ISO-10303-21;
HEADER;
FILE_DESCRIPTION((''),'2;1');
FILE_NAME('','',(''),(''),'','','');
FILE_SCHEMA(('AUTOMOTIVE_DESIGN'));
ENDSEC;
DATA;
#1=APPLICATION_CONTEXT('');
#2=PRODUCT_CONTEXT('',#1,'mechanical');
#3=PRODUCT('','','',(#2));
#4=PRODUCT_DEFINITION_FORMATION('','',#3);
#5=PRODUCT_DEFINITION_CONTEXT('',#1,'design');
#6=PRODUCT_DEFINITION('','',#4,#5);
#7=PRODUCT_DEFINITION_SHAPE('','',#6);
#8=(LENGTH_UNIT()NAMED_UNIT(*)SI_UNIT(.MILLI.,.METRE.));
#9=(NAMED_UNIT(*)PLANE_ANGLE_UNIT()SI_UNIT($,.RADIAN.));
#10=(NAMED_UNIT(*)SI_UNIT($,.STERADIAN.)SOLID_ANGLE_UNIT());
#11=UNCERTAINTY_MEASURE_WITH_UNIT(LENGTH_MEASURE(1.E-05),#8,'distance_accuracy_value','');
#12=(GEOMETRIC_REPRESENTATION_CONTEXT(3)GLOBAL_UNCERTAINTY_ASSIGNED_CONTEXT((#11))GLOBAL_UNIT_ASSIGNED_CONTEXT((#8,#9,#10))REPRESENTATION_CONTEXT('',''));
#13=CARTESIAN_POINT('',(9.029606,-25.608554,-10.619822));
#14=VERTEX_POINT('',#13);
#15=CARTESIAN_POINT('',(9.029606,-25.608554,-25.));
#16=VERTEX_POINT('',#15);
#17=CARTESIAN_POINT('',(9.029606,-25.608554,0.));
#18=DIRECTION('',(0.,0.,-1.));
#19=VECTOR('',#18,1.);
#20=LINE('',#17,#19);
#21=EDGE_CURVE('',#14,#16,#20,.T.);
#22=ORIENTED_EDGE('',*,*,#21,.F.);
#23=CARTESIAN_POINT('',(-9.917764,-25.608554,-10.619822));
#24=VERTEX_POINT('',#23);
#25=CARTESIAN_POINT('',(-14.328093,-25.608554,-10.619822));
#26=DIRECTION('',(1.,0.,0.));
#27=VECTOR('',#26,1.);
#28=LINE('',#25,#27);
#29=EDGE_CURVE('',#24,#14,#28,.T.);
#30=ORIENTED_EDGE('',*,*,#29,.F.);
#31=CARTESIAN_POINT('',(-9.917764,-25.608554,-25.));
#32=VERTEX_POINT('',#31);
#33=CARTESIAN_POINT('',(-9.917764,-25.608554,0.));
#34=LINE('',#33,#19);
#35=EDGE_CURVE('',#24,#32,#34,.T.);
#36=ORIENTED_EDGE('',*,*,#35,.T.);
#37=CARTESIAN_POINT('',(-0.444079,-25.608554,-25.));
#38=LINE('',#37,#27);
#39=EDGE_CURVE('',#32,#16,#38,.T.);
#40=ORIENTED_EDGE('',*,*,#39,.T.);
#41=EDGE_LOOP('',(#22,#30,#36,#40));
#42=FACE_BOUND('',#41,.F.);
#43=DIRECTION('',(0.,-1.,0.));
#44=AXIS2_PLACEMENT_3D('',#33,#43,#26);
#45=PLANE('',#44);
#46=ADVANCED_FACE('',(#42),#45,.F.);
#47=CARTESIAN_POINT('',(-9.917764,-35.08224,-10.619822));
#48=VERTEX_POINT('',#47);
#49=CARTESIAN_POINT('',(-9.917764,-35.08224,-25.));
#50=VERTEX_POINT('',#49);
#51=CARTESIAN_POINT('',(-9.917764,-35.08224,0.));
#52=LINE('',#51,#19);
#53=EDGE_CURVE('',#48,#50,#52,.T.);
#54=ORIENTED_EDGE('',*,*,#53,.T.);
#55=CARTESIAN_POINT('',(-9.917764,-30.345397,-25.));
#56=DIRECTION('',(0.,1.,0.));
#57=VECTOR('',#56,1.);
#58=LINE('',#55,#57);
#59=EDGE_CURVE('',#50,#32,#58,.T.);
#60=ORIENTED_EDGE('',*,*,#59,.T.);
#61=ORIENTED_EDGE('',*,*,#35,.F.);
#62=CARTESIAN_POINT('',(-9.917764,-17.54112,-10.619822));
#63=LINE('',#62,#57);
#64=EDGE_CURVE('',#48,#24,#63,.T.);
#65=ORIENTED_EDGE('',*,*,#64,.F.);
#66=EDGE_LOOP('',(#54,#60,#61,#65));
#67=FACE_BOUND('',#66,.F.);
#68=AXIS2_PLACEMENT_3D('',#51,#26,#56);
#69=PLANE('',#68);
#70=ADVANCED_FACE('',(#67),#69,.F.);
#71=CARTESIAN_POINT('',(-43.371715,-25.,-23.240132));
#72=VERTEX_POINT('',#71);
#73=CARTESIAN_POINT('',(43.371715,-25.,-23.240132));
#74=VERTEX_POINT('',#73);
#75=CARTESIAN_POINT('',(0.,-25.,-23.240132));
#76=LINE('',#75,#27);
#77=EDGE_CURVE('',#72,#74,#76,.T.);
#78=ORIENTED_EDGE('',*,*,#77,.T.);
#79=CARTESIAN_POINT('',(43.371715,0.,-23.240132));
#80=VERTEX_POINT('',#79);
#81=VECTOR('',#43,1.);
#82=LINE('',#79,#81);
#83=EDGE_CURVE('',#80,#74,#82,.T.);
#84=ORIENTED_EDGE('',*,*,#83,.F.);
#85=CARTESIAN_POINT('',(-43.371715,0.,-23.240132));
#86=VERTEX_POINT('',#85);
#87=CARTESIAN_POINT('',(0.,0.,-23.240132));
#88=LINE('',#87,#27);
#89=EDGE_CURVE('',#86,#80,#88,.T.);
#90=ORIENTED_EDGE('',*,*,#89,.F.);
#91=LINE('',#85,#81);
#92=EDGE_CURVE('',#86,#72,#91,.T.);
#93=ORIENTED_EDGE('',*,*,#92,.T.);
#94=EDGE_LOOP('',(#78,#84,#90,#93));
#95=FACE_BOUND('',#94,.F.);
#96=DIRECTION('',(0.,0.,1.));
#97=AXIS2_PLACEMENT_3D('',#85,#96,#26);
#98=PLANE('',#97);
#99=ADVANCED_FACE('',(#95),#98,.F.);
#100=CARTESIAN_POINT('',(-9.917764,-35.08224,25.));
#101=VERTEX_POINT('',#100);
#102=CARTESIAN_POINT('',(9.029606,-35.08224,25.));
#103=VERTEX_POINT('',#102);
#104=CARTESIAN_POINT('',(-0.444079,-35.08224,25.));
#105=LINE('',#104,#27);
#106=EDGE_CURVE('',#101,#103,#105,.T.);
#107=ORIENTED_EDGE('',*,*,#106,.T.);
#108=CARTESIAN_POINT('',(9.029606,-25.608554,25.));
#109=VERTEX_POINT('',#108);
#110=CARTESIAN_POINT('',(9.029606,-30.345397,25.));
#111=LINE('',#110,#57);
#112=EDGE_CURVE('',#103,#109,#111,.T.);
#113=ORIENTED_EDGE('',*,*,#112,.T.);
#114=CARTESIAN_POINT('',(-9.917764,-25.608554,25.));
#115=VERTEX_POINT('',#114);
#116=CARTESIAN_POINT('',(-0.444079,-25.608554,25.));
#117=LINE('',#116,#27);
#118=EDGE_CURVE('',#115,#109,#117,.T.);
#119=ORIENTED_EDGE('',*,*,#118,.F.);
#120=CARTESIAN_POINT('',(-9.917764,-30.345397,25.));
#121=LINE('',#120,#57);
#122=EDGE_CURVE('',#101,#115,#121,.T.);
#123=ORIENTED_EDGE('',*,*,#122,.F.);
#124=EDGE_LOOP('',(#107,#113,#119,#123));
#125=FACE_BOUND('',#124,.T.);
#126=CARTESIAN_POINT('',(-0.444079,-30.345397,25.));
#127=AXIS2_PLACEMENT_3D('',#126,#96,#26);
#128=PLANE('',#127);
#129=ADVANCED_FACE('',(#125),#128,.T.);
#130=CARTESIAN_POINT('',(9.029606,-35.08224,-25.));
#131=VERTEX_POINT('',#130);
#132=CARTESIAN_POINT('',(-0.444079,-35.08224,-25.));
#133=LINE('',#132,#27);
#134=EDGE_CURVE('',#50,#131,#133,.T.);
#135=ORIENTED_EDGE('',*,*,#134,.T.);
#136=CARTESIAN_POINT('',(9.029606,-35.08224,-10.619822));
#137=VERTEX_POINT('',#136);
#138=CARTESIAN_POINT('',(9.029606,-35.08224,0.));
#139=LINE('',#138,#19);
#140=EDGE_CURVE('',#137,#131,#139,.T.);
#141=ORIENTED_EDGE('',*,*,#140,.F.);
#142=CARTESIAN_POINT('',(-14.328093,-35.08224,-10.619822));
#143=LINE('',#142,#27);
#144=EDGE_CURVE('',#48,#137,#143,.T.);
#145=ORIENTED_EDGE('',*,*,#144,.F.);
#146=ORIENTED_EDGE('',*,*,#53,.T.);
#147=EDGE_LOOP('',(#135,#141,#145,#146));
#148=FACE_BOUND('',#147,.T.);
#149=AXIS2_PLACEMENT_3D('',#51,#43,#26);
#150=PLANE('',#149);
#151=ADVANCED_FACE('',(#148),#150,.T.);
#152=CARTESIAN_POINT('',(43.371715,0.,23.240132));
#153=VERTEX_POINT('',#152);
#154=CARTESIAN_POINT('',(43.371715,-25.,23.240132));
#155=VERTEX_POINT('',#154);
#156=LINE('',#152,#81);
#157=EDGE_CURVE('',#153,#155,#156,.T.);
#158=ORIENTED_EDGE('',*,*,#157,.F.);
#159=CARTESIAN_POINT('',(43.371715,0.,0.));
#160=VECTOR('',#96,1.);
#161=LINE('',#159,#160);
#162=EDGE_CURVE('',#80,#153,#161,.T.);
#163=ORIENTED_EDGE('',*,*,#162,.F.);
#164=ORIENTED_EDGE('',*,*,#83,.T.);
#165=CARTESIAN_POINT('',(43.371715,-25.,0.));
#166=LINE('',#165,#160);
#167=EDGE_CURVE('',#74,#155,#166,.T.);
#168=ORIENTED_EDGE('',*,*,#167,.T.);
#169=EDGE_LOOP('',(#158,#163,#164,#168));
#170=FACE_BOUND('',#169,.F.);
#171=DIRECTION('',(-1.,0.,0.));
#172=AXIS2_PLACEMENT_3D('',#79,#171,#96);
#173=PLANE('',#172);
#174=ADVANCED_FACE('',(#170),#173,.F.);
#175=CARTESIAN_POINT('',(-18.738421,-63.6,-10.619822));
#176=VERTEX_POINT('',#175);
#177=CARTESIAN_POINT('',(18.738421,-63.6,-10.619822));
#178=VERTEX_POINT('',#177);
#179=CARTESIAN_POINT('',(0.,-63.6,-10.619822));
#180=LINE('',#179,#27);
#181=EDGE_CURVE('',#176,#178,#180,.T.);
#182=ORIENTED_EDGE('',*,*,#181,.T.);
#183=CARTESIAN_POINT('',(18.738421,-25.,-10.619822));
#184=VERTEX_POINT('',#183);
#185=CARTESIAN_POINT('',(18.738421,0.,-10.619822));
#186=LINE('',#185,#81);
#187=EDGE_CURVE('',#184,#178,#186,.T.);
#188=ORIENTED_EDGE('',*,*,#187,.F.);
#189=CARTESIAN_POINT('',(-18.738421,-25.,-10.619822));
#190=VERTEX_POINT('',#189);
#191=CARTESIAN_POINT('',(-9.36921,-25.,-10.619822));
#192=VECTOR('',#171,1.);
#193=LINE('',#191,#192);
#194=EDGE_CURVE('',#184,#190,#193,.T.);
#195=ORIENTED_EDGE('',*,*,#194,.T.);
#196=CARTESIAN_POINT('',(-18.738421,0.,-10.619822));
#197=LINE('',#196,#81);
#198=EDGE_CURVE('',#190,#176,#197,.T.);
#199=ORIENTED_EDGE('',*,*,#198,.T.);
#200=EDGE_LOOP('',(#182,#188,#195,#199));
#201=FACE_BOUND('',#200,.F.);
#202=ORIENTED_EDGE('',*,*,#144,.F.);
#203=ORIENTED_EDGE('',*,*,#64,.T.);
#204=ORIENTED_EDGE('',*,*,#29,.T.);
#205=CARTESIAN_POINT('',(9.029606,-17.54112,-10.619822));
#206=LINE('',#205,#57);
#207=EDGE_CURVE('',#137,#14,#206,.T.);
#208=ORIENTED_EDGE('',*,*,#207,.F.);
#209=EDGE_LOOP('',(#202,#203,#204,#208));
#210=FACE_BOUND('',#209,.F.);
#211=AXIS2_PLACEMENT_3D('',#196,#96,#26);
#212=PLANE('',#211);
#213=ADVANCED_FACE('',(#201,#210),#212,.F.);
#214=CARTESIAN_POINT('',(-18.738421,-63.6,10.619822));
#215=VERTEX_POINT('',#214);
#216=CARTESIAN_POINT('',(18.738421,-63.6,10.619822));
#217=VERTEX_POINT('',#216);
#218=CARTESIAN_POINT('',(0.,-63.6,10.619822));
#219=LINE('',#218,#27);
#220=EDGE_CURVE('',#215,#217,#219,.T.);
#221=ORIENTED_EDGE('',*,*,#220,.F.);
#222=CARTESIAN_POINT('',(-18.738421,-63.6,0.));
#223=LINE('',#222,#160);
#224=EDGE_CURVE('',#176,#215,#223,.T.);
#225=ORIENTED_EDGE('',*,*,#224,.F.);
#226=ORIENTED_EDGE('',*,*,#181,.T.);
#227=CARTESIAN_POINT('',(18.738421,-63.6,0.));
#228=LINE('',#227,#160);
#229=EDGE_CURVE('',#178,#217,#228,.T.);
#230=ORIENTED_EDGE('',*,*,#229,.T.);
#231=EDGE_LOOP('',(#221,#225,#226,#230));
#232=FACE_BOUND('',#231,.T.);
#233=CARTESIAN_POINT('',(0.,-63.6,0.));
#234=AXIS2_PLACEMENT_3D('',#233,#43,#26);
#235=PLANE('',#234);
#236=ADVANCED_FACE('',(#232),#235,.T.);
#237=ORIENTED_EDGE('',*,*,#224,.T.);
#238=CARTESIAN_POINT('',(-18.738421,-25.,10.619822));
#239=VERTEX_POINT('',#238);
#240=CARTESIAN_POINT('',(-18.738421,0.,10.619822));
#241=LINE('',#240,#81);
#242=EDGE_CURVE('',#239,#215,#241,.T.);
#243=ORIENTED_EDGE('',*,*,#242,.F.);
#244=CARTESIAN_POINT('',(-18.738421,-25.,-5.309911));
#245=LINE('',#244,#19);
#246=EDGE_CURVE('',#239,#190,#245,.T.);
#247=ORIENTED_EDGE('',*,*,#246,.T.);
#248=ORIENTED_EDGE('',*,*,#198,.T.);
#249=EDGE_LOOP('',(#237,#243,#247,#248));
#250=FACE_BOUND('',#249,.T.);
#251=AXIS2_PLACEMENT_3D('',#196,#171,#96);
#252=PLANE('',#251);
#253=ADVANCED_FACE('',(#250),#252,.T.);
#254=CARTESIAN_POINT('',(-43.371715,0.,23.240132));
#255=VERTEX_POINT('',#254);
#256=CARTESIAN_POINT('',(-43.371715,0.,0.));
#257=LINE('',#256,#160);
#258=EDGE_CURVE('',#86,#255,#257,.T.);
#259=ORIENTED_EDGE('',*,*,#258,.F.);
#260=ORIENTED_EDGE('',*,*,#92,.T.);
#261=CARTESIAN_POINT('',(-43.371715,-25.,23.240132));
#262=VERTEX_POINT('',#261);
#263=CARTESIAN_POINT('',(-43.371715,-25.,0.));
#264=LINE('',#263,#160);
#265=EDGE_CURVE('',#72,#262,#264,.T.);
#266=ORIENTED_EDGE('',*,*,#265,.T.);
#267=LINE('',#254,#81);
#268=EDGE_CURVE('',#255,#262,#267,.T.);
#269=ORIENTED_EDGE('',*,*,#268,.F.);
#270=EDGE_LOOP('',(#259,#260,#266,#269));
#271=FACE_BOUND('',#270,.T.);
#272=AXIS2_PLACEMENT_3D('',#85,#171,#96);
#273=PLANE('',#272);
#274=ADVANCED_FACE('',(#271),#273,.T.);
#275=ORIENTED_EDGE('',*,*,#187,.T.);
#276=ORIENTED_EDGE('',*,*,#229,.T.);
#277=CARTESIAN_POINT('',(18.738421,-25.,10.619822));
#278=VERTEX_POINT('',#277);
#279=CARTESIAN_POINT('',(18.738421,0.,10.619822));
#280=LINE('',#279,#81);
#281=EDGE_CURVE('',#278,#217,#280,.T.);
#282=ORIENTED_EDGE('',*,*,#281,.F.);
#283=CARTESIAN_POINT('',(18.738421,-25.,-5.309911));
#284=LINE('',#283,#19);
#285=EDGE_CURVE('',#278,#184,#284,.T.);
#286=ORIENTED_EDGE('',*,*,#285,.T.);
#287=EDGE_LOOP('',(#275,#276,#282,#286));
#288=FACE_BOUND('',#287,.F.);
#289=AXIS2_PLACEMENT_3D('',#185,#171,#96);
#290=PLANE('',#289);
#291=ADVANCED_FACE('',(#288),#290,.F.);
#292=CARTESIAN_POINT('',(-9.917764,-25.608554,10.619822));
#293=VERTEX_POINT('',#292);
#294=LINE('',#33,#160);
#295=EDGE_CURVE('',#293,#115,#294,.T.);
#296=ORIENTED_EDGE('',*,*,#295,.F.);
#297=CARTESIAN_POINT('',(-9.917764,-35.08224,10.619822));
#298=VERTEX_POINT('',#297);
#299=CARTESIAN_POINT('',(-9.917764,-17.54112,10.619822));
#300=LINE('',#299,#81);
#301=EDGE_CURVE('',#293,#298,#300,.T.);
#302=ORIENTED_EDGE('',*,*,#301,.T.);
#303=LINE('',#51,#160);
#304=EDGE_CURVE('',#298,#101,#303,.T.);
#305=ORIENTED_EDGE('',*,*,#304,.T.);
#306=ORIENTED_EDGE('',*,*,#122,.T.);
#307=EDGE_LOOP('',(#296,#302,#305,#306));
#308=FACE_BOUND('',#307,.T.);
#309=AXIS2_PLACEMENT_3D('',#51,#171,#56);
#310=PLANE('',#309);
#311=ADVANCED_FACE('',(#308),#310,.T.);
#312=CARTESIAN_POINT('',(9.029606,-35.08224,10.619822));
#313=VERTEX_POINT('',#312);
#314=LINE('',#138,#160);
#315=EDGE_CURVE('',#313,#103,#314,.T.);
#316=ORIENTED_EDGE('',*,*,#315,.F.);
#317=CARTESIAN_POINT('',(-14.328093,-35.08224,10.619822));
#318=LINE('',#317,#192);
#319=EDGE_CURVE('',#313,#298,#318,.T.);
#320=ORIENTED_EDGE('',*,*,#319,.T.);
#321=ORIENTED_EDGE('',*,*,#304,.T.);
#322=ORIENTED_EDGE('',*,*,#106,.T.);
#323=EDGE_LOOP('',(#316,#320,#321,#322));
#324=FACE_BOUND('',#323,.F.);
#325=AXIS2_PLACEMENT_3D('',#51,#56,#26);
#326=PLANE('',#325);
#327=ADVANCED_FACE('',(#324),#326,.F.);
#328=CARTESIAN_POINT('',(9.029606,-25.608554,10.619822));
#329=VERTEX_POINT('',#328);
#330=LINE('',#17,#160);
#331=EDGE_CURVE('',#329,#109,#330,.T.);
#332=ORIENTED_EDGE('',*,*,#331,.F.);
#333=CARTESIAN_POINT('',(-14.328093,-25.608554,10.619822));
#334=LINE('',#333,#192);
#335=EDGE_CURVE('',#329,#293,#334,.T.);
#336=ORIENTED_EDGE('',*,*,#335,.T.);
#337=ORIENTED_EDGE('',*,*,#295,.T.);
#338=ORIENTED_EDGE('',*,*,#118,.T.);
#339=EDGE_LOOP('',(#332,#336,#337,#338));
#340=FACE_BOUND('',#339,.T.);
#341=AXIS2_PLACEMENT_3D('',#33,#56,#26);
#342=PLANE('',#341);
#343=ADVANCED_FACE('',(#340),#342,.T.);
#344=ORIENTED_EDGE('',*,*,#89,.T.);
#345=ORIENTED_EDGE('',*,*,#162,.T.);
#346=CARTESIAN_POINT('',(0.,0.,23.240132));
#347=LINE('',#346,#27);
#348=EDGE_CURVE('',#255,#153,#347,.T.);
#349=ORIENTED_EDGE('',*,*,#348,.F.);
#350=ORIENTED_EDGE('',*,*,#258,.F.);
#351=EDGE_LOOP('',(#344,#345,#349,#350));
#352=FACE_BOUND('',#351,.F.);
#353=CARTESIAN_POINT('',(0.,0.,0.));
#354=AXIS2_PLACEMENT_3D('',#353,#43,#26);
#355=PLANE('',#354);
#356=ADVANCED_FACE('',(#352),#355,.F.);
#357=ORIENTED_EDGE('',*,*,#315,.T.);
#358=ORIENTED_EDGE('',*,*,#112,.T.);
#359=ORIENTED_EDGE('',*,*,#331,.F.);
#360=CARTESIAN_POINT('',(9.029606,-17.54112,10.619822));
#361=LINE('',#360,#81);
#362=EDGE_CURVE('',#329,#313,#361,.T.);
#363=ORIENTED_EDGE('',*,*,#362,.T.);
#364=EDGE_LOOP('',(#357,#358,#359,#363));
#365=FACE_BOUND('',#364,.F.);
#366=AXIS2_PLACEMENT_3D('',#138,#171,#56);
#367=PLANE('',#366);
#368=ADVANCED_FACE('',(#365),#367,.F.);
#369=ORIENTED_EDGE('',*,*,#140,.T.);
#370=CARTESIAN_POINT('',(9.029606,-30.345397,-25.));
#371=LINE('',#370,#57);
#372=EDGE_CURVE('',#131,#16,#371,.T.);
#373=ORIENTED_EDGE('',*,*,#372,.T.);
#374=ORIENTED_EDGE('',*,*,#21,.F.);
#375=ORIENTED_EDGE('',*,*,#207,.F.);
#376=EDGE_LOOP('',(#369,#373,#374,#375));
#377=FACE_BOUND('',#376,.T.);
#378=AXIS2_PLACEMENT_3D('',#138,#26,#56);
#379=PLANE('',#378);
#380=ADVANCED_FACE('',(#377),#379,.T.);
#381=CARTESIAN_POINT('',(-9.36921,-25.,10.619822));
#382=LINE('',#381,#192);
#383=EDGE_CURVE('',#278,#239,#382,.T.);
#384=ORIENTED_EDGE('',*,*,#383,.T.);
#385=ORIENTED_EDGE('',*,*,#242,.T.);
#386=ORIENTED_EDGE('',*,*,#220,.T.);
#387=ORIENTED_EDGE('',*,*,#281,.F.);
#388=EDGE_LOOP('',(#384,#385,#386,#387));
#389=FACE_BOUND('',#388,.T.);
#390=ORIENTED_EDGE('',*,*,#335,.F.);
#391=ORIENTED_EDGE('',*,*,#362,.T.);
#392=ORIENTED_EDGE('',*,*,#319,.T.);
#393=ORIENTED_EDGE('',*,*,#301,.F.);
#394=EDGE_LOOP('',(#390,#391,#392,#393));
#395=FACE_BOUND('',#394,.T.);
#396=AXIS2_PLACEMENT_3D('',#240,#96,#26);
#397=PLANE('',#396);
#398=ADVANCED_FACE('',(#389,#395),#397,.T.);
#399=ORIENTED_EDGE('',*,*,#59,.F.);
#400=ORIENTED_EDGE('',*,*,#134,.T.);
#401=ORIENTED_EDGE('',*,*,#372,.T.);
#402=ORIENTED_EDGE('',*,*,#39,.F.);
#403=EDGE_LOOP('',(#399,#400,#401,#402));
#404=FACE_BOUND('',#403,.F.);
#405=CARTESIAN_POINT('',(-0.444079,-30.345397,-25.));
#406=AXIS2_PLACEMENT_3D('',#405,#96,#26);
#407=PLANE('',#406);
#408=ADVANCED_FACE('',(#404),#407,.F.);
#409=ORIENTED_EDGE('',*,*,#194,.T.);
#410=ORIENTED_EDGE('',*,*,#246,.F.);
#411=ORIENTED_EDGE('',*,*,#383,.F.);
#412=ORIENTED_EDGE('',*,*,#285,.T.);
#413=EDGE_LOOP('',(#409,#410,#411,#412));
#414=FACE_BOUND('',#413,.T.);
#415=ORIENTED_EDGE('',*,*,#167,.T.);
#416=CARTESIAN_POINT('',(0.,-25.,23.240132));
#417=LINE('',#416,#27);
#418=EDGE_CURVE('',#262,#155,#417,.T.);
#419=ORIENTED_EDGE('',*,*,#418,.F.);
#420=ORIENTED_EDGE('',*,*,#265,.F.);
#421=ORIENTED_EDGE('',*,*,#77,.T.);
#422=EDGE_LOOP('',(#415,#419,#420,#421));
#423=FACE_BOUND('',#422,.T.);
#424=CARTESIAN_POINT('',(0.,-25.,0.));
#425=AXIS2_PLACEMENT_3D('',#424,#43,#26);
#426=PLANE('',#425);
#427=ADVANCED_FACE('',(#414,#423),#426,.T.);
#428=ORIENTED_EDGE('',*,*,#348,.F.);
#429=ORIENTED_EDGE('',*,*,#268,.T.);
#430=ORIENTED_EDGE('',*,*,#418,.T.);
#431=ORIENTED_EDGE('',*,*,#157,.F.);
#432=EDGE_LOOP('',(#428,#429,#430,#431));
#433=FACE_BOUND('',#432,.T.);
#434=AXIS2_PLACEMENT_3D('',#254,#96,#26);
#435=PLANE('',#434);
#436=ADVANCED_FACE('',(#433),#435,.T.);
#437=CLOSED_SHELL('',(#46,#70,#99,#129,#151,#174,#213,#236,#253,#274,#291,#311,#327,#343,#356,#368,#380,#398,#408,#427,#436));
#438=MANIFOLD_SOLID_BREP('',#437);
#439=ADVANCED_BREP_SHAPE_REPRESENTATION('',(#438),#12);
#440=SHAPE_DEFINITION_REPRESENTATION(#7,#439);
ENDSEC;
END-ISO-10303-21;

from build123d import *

# Parameters (mm, degrees)
F0_W     = 86.74343
F0_H     = 46.480264
F1_DEPTH = 25
F2_W     = 37.476842
F2_H     = 21.239644
F3_DEPTH = 63.6
F4_W     = 18.94737
F4_H     = 9.473686
F5_DEPTH = 25
F6_DEPTH = 25


with BuildPart() as f1:
    # F0 (on Front) → F1 (new body)
    with BuildSketch(Plane.XZ):
        Rectangle(F0_W, F0_H)
    extrude(amount=F1_DEPTH)

    # F2 (on Front) → F3 (join)
    with BuildSketch(Plane.XZ):
        Rectangle(F2_W, F2_H)
    extrude(amount=F3_DEPTH)

    # F4 (on Top) → F5 (join)
    with BuildSketch(Plane.XY):
        with Locations((-0.444079, -30.345397)):
            Rectangle(F4_W, F4_H)
    extrude(amount=-F5_DEPTH)

    # F4 (on Top) → F6 (join)
    with BuildSketch(Plane.XY):
        with Locations((-0.444079, -30.345397)):
            Rectangle(F4_W, F4_H)
    extrude(amount=F6_DEPTH)


solid = f1.part
